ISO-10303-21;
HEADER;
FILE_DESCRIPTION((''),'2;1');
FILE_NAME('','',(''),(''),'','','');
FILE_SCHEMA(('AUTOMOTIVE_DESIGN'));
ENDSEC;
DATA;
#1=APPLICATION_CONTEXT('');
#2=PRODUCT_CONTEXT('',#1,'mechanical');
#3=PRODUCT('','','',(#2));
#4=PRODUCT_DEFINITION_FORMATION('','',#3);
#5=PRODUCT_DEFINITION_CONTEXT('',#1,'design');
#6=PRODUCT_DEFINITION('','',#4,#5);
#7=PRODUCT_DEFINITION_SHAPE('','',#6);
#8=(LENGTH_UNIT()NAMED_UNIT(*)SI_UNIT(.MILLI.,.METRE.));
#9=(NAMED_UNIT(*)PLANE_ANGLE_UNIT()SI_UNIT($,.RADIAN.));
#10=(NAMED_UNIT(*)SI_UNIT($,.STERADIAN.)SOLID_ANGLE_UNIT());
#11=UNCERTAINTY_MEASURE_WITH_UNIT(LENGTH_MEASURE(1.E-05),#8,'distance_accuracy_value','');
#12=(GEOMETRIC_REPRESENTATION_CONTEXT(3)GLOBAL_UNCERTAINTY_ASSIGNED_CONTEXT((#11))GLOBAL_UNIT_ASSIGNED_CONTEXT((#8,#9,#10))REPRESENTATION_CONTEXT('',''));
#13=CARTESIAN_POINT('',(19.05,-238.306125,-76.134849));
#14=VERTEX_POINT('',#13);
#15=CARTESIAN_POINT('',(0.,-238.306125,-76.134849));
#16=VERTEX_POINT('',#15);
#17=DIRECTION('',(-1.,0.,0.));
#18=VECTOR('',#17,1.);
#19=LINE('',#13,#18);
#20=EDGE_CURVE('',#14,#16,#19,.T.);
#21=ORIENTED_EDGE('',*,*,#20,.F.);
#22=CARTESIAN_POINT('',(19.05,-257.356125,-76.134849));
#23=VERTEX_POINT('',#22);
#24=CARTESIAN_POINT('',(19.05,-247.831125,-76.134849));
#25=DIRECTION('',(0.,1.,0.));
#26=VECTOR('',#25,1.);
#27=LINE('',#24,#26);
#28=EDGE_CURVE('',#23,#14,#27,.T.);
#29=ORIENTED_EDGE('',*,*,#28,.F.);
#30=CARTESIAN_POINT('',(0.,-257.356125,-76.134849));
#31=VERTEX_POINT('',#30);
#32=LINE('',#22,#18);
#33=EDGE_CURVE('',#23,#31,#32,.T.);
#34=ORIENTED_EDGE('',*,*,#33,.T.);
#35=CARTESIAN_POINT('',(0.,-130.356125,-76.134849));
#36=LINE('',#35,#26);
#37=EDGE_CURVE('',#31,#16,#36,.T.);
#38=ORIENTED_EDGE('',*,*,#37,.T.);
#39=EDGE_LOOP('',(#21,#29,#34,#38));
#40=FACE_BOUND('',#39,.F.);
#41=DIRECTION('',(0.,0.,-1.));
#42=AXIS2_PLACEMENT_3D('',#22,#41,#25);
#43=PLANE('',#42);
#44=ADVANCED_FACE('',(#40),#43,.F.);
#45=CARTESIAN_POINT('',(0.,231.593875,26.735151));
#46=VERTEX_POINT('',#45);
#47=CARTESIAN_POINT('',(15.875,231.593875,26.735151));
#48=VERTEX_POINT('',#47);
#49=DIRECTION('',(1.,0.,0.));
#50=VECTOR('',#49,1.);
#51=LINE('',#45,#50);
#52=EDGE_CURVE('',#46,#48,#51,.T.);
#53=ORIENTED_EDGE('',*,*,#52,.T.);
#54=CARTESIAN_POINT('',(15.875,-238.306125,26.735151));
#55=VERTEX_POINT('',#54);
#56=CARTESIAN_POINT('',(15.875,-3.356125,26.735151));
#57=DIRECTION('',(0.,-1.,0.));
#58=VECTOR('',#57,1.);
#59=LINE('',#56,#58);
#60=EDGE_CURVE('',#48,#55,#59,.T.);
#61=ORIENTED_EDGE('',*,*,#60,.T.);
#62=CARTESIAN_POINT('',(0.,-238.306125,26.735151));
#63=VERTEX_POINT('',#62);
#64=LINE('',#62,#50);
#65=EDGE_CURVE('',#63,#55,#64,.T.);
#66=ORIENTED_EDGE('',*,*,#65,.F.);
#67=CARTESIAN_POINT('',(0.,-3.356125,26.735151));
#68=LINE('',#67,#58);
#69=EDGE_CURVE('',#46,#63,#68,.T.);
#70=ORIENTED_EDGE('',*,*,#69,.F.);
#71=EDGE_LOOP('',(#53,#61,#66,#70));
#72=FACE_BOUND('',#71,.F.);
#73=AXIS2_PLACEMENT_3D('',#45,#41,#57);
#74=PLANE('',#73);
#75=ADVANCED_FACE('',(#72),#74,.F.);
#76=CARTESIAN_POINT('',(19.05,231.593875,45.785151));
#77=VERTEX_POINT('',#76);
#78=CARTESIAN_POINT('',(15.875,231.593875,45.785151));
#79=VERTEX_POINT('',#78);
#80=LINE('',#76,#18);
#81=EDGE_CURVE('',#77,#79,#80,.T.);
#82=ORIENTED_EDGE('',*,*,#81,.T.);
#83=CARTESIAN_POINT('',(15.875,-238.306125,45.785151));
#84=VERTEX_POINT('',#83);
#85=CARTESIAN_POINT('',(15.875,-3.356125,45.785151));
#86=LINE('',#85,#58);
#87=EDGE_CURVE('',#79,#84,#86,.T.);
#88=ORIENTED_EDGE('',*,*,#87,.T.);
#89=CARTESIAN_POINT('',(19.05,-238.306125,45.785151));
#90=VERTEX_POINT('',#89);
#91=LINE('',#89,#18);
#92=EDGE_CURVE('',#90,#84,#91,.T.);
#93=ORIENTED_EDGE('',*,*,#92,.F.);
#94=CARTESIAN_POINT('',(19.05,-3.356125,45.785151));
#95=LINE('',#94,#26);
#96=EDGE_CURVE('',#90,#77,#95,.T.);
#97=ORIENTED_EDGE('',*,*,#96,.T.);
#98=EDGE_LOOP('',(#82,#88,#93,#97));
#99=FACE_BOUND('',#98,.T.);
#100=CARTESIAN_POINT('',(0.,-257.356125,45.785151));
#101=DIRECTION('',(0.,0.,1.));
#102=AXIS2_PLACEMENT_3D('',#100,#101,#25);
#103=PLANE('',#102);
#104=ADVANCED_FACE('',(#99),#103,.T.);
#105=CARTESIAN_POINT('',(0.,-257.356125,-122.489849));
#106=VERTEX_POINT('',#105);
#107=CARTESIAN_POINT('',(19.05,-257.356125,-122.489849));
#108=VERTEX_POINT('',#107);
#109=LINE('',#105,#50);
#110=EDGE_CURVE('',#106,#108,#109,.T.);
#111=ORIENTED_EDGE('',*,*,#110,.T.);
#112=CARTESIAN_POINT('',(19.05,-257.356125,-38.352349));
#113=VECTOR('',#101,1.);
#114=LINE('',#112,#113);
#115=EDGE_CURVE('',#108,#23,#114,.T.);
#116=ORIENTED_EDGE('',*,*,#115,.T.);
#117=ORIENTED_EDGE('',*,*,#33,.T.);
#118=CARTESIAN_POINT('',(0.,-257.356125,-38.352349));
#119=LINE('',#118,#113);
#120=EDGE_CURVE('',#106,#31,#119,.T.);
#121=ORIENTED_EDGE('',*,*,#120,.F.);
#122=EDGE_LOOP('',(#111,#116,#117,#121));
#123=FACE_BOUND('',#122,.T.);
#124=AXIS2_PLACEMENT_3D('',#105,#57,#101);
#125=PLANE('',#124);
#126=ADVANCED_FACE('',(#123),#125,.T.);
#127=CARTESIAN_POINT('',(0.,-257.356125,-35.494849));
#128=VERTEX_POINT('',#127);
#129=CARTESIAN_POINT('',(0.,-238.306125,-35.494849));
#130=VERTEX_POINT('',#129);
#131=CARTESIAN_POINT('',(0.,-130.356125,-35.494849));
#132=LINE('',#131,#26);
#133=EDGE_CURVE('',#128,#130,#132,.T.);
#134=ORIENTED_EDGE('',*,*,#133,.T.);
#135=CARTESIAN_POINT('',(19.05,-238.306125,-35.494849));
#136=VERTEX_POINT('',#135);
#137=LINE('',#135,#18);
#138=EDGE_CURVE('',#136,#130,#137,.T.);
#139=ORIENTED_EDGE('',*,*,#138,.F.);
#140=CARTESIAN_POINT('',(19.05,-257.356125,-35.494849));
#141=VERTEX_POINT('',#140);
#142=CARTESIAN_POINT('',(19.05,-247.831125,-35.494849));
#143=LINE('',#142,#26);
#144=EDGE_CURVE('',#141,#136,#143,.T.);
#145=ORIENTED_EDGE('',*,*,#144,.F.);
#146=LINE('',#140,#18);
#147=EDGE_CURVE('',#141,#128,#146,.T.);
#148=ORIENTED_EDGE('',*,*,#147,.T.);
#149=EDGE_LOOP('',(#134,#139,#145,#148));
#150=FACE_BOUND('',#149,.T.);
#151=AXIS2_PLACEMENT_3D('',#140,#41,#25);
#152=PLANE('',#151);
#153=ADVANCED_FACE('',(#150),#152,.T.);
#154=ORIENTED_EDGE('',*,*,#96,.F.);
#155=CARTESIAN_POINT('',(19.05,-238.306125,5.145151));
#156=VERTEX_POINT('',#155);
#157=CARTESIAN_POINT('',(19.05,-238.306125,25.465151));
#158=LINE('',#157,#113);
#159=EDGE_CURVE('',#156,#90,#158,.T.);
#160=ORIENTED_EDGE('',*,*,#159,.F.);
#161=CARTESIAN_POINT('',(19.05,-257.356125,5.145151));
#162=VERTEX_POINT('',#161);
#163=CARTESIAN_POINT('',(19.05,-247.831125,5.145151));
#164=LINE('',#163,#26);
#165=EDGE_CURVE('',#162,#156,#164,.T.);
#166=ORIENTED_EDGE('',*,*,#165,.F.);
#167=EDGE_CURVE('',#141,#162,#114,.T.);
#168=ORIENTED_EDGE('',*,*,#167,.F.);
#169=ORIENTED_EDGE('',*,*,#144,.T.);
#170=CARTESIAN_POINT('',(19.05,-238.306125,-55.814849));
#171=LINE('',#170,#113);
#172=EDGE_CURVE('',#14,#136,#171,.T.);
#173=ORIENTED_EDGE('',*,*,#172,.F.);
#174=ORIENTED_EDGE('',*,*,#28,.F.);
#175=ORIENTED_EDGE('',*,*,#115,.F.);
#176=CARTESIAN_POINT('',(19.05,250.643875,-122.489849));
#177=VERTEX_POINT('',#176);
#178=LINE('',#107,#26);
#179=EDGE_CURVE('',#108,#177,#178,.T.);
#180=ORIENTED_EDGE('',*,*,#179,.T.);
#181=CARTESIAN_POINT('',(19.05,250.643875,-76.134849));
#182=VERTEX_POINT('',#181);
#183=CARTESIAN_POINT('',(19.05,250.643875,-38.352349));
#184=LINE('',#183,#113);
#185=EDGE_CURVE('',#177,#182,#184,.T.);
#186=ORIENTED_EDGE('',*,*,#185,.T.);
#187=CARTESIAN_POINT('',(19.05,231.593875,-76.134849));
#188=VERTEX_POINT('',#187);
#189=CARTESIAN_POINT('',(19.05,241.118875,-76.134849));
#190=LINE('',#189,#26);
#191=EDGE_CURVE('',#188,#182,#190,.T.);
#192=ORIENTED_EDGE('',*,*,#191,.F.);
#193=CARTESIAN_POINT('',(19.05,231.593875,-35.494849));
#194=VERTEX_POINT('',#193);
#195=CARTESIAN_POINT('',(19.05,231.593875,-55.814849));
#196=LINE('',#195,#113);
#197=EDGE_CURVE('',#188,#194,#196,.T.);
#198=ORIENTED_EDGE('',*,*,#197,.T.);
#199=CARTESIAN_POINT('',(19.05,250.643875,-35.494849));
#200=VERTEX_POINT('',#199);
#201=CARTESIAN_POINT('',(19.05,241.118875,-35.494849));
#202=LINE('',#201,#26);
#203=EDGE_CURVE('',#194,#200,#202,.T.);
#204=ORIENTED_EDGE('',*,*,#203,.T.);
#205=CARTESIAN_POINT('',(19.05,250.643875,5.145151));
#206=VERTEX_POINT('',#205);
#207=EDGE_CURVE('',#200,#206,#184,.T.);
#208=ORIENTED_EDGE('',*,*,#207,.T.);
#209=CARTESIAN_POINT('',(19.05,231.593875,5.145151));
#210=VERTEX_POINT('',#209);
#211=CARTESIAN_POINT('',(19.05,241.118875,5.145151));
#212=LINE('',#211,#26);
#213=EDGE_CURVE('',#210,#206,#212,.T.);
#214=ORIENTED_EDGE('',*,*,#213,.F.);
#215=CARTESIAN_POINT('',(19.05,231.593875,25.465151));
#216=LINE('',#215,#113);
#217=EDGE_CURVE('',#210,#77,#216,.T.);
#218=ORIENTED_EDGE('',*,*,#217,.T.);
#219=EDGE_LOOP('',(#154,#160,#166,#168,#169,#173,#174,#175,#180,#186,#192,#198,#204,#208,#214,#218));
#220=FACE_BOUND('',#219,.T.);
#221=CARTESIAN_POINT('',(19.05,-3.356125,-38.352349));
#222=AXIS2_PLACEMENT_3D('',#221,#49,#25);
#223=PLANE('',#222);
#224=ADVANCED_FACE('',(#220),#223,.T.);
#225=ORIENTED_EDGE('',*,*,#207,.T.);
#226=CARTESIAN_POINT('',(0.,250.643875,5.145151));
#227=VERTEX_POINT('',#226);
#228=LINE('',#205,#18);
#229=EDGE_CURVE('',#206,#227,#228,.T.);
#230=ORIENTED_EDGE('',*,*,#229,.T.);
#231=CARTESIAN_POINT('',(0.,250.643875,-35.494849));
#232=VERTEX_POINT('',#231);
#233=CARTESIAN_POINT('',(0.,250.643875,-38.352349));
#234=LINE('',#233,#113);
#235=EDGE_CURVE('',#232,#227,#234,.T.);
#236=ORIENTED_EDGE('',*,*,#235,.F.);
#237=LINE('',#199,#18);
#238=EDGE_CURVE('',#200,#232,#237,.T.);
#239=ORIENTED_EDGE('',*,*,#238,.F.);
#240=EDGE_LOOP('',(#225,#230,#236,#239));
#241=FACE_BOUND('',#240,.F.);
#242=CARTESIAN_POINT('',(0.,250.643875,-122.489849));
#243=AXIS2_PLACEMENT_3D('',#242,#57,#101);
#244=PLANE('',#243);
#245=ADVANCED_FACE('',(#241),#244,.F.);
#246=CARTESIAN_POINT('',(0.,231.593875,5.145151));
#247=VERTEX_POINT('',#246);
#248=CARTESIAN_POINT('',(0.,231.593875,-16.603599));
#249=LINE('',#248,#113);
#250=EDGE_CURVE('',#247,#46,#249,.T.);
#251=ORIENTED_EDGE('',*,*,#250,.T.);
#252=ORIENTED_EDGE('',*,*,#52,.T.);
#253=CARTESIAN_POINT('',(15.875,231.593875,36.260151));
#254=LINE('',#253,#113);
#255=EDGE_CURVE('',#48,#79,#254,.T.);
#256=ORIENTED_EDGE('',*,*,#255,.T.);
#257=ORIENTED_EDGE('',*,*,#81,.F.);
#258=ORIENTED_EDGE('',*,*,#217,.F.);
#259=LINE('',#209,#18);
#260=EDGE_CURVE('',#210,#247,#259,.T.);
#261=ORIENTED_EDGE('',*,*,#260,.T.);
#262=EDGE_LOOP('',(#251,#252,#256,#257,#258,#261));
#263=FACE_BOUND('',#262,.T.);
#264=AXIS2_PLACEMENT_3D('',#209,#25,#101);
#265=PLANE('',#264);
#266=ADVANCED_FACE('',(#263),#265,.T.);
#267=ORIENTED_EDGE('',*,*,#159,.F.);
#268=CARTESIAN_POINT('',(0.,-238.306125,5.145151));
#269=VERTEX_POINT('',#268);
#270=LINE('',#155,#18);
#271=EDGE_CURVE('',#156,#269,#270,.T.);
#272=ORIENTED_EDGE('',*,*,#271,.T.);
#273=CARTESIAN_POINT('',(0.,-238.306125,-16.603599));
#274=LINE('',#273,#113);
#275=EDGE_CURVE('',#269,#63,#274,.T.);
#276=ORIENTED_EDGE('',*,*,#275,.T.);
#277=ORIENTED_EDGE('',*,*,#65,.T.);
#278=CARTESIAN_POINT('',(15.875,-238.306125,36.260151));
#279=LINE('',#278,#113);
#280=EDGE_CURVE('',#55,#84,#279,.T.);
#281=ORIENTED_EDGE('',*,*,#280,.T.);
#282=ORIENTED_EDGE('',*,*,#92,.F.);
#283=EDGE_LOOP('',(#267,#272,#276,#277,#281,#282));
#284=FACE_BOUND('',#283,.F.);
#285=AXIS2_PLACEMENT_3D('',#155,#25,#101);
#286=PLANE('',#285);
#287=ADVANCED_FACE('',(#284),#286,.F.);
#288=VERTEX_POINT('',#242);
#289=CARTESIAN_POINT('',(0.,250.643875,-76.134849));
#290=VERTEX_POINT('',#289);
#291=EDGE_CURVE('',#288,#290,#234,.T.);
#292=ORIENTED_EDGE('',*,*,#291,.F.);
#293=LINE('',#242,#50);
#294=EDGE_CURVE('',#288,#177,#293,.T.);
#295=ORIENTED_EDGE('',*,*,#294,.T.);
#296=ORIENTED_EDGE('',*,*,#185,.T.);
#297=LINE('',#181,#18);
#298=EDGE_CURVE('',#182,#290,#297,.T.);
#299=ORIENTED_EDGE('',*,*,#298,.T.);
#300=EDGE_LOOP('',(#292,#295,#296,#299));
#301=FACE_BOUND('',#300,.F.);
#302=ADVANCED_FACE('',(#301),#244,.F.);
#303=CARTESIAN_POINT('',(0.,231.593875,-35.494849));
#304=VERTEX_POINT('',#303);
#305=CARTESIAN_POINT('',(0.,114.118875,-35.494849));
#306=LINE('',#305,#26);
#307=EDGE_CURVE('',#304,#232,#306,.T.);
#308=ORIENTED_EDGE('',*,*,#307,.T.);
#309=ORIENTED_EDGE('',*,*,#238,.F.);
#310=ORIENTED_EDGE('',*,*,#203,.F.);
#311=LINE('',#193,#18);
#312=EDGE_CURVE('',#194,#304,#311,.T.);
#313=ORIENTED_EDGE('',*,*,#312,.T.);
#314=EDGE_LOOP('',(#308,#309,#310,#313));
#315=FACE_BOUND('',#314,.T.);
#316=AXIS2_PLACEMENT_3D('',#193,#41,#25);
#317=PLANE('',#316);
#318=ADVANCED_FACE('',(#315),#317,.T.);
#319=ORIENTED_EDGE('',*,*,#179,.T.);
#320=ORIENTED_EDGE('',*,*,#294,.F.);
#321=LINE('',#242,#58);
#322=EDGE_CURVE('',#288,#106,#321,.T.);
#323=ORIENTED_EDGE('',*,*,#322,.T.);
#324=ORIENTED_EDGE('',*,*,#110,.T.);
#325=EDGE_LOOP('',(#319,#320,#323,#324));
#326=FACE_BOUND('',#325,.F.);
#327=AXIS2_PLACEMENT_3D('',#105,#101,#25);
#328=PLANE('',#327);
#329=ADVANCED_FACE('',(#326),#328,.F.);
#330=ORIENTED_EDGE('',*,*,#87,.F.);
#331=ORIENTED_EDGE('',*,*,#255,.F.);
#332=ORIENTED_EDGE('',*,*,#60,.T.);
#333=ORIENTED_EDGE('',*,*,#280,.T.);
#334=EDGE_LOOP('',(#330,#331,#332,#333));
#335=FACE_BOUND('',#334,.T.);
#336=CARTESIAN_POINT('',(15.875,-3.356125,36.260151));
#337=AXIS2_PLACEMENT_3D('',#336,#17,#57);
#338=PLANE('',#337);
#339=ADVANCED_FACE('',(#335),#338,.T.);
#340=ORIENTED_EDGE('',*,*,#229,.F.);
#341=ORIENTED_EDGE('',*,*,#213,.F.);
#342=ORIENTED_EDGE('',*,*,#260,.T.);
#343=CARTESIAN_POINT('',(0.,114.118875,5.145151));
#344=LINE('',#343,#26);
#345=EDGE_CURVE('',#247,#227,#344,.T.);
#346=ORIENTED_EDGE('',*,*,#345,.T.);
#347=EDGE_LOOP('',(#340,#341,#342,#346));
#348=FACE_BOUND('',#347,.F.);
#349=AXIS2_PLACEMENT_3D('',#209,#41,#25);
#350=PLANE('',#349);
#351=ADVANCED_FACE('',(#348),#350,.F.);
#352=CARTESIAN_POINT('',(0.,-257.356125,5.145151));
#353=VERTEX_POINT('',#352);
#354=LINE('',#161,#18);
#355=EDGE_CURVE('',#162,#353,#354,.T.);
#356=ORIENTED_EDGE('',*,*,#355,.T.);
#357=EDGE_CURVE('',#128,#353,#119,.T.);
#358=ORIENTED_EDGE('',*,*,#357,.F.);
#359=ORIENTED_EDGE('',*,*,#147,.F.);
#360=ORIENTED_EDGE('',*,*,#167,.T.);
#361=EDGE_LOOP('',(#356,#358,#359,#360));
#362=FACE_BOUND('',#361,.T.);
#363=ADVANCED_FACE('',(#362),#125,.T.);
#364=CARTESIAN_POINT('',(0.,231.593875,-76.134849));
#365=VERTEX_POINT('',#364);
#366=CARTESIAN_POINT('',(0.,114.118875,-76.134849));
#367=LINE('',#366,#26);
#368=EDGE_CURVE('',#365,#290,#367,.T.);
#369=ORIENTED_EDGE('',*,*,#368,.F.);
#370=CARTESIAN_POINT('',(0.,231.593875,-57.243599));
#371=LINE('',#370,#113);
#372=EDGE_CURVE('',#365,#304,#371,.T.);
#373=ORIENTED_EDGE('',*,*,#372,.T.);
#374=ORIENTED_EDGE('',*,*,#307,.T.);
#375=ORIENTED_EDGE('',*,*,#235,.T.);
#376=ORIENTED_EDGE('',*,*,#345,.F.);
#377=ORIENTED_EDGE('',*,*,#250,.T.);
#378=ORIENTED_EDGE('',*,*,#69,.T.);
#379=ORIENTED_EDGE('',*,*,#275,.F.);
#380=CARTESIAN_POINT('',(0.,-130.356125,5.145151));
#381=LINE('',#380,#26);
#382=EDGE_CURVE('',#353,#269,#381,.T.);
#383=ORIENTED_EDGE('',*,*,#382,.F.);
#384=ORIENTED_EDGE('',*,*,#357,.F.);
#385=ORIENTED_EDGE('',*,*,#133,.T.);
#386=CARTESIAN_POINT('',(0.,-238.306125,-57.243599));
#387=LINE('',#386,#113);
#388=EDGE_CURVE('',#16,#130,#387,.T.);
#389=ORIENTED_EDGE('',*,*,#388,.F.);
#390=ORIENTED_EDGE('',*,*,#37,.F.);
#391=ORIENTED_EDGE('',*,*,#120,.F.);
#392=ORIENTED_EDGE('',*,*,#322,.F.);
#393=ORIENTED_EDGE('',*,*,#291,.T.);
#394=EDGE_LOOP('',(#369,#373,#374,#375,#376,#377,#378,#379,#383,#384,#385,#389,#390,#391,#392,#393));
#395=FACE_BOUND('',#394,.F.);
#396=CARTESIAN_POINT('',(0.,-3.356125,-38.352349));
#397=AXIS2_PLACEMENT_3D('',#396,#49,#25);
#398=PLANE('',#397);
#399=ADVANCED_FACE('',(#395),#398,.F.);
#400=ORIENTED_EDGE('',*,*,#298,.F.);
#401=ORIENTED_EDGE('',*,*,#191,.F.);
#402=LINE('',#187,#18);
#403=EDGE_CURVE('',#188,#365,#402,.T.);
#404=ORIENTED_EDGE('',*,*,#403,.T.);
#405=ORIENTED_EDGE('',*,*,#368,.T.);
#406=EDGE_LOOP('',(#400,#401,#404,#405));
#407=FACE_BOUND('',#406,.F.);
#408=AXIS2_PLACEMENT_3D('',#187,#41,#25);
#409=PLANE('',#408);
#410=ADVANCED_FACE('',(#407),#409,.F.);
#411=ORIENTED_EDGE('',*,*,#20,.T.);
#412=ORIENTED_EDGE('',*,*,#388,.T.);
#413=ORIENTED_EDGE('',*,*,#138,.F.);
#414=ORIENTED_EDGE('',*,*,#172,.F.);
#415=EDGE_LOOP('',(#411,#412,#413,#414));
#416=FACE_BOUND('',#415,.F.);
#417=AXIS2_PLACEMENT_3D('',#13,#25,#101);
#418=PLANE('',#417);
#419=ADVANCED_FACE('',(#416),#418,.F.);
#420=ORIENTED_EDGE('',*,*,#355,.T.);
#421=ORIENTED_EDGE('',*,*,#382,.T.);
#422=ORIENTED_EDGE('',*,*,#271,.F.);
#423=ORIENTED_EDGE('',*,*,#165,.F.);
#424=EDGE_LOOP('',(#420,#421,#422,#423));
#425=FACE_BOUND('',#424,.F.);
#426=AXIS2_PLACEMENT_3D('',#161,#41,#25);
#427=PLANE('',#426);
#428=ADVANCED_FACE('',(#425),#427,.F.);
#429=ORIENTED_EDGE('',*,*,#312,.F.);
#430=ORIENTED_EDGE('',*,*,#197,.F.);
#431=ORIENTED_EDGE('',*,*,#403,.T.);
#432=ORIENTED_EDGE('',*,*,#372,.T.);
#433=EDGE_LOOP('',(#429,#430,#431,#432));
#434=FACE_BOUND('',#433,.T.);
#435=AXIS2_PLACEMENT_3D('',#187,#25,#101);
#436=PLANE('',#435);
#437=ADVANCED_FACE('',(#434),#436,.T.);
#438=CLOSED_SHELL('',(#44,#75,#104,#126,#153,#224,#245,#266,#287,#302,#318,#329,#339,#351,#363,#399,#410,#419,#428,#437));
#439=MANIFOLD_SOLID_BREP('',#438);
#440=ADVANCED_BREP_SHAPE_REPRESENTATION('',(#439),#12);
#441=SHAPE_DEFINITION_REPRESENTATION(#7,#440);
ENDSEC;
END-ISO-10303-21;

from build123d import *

# Parameters (mm, degrees)
F0_W     = 508
F0_H     = 168.275
F1_DEPTH = 19.05
F2_W     = 19.05
F2_H     = 40.64
F2_H_2   = 34.925
F3_DEPTH = 25.4
F4_W     = 469.9
F4_H     = 19.05
F5_DEPTH = 15.875


with BuildPart() as f1:
    # F0 (on Right) → F1 (new body)
    with BuildSketch(Plane.YZ):
        with Locations((-3.356125, -38.352349)):
            Rectangle(F0_W, F0_H)
    extrude(amount=F1_DEPTH)

    # F2 (on face) → F3 (cut)
    with BuildSketch(Plane.YZ.offset(19.05)):
        with Locations((241.118875, 25.465151)):
            Rectangle(F2_W, F2_H)
        with Locations((241.118875, -55.814849)):
            Rectangle(F2_W, F2_H)
        with Locations((241.118875, -139.952349)):
            Rectangle(F2_W, F2_H_2)
        with Locations((-247.831125, -55.814849)):
            Rectangle(F2_W, F2_H)
        with Locations((-247.831125, 25.465151)):
            Rectangle(F2_W, F2_H)
    extrude(amount=-F3_DEPTH, mode=Mode.SUBTRACT)

    # F4 (on face) → F5 (cut)
    with BuildSketch(Plane(origin=(0, 0, 0), x_dir=(0, -1, 0), z_dir=(-1, 0, 0))):
        with Locations((3.356125, 36.260151)):
            Rectangle(F4_W, F4_H)
    extrude(amount=-F5_DEPTH, mode=Mode.SUBTRACT)


solid = f1.part
